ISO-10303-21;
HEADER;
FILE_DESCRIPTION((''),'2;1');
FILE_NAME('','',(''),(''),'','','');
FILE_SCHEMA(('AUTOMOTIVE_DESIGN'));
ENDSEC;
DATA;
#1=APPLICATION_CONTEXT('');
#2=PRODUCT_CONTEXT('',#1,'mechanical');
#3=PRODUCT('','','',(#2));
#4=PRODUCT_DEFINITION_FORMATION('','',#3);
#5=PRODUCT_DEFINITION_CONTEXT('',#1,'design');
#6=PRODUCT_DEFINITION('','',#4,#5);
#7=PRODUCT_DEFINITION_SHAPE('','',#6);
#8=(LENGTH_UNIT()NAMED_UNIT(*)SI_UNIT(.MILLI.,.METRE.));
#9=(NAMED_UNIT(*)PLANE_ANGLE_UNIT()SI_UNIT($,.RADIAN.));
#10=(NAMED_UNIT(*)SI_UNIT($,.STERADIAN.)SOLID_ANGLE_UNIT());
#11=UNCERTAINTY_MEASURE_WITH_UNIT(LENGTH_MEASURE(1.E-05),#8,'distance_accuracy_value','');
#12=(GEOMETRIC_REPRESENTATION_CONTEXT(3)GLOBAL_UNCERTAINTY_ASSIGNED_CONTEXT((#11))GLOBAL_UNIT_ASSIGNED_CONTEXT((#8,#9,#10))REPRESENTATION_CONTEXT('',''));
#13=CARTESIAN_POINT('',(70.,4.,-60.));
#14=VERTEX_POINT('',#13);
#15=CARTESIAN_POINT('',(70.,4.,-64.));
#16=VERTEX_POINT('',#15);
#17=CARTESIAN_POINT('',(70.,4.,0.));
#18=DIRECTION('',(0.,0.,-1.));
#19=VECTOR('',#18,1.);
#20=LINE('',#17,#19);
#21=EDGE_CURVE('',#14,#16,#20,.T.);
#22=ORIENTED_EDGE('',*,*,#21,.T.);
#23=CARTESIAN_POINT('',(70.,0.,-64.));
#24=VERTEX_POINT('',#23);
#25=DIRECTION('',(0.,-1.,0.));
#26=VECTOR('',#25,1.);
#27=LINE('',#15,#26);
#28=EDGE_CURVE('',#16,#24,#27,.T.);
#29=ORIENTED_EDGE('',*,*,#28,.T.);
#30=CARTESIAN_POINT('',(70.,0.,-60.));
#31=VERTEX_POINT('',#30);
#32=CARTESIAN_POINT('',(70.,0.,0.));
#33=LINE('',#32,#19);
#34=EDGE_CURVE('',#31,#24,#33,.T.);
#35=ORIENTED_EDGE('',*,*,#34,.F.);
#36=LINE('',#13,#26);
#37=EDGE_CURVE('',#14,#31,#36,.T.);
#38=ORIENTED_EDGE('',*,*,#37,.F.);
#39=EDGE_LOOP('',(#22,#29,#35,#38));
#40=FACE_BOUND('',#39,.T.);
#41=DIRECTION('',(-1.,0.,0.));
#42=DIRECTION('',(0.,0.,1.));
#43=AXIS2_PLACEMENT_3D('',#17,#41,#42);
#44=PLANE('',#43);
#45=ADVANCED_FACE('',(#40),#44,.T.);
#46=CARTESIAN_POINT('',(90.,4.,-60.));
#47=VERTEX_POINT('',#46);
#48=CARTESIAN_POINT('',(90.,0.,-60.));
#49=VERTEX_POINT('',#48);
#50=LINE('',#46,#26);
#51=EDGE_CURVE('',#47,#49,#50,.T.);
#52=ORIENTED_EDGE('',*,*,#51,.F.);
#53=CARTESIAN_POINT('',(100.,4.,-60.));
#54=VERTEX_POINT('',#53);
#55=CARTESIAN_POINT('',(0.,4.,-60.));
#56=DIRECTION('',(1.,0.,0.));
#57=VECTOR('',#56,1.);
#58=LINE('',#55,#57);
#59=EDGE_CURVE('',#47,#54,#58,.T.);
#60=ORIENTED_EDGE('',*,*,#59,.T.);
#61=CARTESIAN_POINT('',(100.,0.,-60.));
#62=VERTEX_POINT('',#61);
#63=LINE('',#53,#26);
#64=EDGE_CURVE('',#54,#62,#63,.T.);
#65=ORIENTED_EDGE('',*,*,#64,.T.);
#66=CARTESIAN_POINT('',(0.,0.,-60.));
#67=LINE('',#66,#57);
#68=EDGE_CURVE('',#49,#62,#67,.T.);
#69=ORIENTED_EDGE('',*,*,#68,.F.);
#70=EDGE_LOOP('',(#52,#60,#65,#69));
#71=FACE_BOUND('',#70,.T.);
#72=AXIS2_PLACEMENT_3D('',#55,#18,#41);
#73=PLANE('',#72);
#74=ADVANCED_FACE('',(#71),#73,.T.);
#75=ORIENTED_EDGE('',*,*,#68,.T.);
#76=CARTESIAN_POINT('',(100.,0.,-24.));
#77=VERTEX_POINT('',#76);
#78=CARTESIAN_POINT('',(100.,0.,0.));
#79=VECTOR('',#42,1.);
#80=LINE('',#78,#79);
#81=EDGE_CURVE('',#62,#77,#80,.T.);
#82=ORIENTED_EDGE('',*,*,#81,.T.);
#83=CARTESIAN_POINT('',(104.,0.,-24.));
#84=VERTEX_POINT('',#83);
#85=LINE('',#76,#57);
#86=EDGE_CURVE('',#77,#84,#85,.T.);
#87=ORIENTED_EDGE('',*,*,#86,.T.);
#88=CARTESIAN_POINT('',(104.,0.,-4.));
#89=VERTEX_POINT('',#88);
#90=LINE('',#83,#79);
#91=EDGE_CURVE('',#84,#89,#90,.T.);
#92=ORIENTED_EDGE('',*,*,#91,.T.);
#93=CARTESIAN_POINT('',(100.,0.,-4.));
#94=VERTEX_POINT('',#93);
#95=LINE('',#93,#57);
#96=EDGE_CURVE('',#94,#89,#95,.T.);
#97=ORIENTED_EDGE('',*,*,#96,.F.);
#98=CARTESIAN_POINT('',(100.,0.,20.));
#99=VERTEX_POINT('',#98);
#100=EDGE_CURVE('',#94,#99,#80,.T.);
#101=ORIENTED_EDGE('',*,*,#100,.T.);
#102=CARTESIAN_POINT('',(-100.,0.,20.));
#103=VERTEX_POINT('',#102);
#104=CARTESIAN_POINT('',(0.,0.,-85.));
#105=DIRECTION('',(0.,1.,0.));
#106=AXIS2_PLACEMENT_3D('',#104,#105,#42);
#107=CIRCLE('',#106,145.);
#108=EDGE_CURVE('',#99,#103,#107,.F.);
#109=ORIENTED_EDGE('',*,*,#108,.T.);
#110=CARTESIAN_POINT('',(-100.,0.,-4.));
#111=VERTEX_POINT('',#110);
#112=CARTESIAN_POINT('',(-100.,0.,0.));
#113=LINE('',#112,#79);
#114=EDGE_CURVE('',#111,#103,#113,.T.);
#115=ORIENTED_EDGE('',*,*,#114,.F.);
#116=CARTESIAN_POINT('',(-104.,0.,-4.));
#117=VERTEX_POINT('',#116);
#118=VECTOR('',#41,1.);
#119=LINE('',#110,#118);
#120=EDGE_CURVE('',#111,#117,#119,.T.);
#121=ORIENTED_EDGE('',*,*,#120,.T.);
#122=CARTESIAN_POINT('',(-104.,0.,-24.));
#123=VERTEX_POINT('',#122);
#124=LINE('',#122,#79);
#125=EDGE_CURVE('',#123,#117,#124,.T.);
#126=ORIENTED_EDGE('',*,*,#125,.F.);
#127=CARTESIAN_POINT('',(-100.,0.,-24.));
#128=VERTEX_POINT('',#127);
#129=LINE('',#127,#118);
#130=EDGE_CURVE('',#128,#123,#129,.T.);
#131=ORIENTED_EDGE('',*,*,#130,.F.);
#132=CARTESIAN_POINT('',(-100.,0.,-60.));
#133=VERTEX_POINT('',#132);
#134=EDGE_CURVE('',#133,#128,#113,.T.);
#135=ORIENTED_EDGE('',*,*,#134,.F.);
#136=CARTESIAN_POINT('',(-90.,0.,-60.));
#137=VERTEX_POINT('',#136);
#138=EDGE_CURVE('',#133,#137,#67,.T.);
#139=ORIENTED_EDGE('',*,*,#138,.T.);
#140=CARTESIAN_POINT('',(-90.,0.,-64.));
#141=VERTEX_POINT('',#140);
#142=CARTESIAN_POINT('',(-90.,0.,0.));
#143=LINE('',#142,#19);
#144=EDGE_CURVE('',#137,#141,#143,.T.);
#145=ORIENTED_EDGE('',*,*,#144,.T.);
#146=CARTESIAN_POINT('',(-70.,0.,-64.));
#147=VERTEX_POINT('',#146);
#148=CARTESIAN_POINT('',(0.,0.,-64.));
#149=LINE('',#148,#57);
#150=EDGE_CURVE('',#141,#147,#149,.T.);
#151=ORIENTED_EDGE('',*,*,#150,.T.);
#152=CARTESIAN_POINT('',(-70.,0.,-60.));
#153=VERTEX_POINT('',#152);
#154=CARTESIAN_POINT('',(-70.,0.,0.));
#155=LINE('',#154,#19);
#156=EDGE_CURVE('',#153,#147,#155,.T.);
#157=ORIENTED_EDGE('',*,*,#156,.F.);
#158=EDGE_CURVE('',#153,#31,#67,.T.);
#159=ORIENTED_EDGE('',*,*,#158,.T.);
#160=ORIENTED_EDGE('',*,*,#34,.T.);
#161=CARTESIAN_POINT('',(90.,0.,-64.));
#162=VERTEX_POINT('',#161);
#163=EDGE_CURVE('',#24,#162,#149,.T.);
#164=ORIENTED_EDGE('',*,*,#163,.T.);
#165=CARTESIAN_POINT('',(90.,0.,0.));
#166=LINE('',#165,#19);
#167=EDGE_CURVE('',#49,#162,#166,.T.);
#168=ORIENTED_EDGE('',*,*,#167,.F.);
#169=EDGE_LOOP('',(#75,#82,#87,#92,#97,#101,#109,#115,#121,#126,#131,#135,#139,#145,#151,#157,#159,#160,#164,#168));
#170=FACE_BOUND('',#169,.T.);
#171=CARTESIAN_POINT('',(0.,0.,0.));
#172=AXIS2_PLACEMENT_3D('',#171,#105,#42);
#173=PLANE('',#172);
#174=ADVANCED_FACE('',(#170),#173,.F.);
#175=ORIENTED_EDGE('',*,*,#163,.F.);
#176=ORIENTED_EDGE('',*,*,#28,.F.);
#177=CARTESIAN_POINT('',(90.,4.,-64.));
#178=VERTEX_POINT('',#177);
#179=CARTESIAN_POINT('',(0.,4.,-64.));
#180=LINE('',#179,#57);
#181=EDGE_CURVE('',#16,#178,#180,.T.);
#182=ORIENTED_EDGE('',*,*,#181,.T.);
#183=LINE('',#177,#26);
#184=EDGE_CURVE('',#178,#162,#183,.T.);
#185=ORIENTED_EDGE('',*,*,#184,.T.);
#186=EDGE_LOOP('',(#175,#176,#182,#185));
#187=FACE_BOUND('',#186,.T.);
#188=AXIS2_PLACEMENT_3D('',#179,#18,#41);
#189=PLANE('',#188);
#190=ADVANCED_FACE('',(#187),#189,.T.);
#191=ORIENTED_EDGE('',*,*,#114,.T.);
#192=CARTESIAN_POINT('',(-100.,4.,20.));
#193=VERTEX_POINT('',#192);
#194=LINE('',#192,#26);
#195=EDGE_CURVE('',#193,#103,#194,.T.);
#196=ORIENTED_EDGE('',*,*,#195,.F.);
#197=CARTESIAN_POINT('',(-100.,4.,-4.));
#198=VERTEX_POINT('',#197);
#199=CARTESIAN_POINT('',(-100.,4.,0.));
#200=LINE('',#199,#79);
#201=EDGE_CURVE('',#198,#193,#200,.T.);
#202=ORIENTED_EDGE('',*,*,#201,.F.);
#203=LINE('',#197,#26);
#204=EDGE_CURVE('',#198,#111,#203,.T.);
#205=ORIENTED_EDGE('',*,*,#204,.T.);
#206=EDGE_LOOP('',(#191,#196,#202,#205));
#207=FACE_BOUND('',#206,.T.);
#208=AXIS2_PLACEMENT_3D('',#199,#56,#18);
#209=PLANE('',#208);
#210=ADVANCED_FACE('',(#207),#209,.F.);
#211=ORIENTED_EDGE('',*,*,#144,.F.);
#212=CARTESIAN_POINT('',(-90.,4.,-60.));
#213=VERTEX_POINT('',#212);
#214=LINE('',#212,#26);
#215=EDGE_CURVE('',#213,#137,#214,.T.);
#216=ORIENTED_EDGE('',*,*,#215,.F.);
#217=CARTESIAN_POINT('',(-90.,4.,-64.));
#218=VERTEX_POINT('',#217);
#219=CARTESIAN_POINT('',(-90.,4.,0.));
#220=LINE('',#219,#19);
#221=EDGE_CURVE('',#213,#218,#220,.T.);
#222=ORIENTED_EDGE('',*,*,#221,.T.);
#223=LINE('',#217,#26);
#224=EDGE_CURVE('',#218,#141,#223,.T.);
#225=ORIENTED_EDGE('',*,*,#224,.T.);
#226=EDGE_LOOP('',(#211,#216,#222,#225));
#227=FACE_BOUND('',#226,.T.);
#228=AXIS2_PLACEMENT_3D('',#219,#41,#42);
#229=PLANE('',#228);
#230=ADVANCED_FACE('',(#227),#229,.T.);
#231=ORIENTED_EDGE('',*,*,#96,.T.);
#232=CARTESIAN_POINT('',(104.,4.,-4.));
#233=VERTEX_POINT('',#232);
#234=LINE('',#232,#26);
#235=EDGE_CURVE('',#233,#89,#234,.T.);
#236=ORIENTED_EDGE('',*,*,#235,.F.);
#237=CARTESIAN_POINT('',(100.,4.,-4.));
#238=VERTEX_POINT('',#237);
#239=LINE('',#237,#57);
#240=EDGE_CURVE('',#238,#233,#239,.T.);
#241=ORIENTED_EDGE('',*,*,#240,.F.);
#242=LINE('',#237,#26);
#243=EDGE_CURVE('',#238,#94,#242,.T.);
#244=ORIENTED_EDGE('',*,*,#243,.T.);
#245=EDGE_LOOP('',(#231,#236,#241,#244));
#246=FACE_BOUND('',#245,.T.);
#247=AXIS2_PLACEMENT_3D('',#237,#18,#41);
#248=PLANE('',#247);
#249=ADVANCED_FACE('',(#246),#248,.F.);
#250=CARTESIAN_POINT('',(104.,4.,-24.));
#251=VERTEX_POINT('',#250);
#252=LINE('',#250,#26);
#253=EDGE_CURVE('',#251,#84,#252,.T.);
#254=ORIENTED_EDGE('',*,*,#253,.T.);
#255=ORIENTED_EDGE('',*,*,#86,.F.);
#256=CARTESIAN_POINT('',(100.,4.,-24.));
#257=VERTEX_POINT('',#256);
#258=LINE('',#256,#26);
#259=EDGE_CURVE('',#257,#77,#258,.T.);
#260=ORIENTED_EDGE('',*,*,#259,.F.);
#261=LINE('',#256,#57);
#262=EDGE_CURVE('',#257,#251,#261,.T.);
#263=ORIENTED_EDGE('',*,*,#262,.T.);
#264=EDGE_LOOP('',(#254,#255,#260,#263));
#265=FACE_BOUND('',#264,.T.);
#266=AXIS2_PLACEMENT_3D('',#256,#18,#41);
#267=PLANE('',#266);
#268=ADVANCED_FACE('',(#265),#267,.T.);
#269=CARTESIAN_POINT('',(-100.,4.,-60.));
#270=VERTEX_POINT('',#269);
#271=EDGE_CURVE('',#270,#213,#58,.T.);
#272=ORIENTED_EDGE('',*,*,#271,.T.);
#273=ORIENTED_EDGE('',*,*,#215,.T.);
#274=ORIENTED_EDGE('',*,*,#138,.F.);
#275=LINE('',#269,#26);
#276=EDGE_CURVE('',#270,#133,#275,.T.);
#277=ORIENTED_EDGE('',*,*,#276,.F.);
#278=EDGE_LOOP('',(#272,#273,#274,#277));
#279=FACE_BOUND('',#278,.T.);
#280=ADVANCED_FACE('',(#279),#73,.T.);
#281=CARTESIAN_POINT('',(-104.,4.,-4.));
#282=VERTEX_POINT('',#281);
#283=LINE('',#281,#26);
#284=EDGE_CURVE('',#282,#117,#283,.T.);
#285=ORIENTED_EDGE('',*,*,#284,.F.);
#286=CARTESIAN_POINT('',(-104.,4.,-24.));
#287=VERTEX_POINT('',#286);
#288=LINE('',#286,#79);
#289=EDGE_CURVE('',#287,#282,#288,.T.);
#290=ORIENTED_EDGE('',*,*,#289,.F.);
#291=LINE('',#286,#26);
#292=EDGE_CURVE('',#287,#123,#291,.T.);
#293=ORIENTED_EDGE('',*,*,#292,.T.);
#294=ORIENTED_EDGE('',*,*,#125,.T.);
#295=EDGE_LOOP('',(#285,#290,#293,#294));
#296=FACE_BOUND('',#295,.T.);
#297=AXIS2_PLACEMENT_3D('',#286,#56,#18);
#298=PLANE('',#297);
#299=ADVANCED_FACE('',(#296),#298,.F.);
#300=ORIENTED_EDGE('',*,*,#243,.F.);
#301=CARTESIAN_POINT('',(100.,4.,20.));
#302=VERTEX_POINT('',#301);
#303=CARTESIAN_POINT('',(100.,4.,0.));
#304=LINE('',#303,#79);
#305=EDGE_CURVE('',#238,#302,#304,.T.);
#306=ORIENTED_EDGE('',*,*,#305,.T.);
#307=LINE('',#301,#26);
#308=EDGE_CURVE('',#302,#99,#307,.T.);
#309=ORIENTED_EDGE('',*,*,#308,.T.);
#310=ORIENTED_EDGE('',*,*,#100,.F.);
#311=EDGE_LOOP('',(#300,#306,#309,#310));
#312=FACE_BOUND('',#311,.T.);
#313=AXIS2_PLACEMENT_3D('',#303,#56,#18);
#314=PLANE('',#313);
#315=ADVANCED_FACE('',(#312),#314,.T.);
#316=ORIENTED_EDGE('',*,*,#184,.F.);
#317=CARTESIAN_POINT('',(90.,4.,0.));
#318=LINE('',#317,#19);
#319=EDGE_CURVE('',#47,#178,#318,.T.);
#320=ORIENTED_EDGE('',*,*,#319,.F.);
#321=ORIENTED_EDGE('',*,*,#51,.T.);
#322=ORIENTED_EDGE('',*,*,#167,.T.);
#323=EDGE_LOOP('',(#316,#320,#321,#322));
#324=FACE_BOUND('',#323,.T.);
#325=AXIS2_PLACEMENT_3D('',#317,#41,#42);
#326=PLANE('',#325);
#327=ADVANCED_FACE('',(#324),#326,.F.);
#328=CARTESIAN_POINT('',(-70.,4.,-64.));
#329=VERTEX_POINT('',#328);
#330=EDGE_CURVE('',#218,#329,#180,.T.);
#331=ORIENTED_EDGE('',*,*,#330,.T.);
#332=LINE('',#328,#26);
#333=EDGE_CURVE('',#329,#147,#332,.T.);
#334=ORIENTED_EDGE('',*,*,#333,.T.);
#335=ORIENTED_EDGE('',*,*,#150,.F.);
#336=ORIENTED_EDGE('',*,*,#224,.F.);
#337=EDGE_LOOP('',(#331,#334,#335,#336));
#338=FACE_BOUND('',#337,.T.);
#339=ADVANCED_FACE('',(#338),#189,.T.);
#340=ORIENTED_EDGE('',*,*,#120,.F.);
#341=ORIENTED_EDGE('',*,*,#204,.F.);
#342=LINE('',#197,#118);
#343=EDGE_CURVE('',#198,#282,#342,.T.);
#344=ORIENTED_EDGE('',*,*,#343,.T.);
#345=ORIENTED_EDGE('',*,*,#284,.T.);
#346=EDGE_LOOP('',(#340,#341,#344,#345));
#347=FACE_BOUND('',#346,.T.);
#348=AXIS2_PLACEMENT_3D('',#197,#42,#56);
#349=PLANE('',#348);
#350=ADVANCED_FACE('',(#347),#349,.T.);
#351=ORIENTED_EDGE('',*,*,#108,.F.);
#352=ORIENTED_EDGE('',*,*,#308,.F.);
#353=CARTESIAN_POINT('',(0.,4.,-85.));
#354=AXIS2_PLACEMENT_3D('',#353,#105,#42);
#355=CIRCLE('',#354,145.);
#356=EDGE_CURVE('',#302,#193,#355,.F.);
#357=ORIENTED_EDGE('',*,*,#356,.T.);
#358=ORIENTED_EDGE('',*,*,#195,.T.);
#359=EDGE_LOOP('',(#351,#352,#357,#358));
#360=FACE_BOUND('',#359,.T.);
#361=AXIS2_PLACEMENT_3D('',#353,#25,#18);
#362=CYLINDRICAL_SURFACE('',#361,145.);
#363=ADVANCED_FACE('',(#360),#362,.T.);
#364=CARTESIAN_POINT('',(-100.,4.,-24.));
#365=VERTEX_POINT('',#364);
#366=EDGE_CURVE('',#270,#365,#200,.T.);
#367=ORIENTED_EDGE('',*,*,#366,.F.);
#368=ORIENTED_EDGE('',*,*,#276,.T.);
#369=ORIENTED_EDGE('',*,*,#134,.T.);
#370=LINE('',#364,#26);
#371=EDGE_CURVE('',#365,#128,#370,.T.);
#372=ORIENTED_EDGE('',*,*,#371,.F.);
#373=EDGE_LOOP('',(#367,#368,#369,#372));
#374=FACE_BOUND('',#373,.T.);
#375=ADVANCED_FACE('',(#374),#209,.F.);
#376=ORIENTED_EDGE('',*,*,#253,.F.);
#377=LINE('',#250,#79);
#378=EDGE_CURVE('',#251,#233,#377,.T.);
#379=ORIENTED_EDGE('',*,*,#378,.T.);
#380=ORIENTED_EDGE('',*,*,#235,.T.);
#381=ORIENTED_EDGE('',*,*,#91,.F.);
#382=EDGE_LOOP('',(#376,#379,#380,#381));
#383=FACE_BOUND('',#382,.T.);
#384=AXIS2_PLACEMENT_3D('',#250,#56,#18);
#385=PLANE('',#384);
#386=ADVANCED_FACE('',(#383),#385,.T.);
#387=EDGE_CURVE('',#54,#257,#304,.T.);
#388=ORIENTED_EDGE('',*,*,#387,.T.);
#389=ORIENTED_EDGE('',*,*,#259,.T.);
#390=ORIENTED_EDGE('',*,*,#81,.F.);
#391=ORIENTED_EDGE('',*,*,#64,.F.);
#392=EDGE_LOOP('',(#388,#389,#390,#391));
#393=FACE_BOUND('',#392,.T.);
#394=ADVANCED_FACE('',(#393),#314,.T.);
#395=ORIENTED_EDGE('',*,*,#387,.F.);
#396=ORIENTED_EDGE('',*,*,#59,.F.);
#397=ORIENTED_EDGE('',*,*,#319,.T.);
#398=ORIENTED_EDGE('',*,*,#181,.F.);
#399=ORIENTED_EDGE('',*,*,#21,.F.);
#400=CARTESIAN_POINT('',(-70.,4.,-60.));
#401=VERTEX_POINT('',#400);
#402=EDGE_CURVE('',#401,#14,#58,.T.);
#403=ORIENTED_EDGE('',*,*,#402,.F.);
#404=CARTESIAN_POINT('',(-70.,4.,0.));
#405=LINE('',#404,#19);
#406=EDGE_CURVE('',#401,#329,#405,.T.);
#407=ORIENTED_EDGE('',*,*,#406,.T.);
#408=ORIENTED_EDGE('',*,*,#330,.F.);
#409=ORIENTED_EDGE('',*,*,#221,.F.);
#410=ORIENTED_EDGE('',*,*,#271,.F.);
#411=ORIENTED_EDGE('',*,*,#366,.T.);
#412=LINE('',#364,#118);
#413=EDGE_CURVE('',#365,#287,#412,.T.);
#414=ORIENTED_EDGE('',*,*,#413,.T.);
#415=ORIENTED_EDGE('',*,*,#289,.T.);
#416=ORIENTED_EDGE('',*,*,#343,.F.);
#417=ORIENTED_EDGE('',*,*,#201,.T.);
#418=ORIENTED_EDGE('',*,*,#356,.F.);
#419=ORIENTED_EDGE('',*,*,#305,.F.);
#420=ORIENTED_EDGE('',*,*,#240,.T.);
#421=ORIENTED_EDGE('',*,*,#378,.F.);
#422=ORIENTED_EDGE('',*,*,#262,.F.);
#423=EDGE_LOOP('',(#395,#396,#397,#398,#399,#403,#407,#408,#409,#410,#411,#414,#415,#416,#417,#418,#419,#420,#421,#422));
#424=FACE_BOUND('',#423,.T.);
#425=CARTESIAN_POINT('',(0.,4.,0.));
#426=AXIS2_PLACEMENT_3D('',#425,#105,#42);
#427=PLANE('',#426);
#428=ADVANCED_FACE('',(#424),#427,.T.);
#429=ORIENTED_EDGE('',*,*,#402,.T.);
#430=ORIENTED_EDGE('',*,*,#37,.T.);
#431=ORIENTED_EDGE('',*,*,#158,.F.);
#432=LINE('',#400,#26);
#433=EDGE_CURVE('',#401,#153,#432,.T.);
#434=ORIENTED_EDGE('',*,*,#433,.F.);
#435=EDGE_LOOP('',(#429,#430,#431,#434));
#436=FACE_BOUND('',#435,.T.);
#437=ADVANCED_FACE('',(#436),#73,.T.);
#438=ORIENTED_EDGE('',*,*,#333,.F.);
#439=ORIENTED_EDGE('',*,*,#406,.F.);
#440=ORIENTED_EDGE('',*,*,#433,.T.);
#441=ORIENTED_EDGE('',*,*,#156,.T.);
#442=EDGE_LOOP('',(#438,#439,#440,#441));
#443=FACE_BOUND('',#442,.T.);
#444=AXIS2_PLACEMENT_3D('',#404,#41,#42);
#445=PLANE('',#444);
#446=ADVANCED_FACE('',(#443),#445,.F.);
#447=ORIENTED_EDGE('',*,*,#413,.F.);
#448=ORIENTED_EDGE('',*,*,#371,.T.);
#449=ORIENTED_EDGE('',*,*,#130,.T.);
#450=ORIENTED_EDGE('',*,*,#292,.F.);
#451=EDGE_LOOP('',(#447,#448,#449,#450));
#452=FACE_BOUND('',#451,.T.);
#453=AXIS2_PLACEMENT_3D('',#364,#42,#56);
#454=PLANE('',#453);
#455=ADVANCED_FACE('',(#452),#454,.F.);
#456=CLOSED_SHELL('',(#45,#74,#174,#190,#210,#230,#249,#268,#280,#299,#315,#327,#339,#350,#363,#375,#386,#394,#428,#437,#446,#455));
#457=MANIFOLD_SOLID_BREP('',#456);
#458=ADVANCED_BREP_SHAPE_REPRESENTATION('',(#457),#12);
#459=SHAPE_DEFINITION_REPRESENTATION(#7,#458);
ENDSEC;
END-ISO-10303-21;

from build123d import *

# Parameters (mm, degrees)
EXTRUDE1_DEPTH = 4


with BuildPart() as part:
    # Sketch1 → Extrude1 (new body)
    with BuildSketch(Plane(origin=(0, 0, 0), x_dir=(1, 0, 0), z_dir=(0, 1, 0))):
        with BuildLine():
            Line((-90, 60), (-100, 60))
            Line((-100, 60), (-100, 24))
            Line((-100, 24), (-104, 24))
            Line((-104, 24), (-104, 4))
            Line((-104, 4), (-100, 4))
            Line((-100, 4), (-100, -20))
            ThreePointArc((-100, -20), (0, -60), (100, -20))
            Line((100, -20), (100, 4))
            Line((100, 4), (104, 4))
            Line((104, 4), (104, 24))
            Line((104, 24), (100, 24))
            Line((100, 24), (100, 60))
            Line((100, 60), (90, 60))
            Line((90, 60), (90, 64))
            Line((90, 64), (70, 64))
            Line((70, 64), (70, 60))
            Line((70, 60), (-70, 60))
            Line((-70, 60), (-70, 64))
            Line((-70, 64), (-90, 64))
            Line((-90, 64), (-90, 60))
        make_face()
    extrude(amount=EXTRUDE1_DEPTH)


solid = part.part
